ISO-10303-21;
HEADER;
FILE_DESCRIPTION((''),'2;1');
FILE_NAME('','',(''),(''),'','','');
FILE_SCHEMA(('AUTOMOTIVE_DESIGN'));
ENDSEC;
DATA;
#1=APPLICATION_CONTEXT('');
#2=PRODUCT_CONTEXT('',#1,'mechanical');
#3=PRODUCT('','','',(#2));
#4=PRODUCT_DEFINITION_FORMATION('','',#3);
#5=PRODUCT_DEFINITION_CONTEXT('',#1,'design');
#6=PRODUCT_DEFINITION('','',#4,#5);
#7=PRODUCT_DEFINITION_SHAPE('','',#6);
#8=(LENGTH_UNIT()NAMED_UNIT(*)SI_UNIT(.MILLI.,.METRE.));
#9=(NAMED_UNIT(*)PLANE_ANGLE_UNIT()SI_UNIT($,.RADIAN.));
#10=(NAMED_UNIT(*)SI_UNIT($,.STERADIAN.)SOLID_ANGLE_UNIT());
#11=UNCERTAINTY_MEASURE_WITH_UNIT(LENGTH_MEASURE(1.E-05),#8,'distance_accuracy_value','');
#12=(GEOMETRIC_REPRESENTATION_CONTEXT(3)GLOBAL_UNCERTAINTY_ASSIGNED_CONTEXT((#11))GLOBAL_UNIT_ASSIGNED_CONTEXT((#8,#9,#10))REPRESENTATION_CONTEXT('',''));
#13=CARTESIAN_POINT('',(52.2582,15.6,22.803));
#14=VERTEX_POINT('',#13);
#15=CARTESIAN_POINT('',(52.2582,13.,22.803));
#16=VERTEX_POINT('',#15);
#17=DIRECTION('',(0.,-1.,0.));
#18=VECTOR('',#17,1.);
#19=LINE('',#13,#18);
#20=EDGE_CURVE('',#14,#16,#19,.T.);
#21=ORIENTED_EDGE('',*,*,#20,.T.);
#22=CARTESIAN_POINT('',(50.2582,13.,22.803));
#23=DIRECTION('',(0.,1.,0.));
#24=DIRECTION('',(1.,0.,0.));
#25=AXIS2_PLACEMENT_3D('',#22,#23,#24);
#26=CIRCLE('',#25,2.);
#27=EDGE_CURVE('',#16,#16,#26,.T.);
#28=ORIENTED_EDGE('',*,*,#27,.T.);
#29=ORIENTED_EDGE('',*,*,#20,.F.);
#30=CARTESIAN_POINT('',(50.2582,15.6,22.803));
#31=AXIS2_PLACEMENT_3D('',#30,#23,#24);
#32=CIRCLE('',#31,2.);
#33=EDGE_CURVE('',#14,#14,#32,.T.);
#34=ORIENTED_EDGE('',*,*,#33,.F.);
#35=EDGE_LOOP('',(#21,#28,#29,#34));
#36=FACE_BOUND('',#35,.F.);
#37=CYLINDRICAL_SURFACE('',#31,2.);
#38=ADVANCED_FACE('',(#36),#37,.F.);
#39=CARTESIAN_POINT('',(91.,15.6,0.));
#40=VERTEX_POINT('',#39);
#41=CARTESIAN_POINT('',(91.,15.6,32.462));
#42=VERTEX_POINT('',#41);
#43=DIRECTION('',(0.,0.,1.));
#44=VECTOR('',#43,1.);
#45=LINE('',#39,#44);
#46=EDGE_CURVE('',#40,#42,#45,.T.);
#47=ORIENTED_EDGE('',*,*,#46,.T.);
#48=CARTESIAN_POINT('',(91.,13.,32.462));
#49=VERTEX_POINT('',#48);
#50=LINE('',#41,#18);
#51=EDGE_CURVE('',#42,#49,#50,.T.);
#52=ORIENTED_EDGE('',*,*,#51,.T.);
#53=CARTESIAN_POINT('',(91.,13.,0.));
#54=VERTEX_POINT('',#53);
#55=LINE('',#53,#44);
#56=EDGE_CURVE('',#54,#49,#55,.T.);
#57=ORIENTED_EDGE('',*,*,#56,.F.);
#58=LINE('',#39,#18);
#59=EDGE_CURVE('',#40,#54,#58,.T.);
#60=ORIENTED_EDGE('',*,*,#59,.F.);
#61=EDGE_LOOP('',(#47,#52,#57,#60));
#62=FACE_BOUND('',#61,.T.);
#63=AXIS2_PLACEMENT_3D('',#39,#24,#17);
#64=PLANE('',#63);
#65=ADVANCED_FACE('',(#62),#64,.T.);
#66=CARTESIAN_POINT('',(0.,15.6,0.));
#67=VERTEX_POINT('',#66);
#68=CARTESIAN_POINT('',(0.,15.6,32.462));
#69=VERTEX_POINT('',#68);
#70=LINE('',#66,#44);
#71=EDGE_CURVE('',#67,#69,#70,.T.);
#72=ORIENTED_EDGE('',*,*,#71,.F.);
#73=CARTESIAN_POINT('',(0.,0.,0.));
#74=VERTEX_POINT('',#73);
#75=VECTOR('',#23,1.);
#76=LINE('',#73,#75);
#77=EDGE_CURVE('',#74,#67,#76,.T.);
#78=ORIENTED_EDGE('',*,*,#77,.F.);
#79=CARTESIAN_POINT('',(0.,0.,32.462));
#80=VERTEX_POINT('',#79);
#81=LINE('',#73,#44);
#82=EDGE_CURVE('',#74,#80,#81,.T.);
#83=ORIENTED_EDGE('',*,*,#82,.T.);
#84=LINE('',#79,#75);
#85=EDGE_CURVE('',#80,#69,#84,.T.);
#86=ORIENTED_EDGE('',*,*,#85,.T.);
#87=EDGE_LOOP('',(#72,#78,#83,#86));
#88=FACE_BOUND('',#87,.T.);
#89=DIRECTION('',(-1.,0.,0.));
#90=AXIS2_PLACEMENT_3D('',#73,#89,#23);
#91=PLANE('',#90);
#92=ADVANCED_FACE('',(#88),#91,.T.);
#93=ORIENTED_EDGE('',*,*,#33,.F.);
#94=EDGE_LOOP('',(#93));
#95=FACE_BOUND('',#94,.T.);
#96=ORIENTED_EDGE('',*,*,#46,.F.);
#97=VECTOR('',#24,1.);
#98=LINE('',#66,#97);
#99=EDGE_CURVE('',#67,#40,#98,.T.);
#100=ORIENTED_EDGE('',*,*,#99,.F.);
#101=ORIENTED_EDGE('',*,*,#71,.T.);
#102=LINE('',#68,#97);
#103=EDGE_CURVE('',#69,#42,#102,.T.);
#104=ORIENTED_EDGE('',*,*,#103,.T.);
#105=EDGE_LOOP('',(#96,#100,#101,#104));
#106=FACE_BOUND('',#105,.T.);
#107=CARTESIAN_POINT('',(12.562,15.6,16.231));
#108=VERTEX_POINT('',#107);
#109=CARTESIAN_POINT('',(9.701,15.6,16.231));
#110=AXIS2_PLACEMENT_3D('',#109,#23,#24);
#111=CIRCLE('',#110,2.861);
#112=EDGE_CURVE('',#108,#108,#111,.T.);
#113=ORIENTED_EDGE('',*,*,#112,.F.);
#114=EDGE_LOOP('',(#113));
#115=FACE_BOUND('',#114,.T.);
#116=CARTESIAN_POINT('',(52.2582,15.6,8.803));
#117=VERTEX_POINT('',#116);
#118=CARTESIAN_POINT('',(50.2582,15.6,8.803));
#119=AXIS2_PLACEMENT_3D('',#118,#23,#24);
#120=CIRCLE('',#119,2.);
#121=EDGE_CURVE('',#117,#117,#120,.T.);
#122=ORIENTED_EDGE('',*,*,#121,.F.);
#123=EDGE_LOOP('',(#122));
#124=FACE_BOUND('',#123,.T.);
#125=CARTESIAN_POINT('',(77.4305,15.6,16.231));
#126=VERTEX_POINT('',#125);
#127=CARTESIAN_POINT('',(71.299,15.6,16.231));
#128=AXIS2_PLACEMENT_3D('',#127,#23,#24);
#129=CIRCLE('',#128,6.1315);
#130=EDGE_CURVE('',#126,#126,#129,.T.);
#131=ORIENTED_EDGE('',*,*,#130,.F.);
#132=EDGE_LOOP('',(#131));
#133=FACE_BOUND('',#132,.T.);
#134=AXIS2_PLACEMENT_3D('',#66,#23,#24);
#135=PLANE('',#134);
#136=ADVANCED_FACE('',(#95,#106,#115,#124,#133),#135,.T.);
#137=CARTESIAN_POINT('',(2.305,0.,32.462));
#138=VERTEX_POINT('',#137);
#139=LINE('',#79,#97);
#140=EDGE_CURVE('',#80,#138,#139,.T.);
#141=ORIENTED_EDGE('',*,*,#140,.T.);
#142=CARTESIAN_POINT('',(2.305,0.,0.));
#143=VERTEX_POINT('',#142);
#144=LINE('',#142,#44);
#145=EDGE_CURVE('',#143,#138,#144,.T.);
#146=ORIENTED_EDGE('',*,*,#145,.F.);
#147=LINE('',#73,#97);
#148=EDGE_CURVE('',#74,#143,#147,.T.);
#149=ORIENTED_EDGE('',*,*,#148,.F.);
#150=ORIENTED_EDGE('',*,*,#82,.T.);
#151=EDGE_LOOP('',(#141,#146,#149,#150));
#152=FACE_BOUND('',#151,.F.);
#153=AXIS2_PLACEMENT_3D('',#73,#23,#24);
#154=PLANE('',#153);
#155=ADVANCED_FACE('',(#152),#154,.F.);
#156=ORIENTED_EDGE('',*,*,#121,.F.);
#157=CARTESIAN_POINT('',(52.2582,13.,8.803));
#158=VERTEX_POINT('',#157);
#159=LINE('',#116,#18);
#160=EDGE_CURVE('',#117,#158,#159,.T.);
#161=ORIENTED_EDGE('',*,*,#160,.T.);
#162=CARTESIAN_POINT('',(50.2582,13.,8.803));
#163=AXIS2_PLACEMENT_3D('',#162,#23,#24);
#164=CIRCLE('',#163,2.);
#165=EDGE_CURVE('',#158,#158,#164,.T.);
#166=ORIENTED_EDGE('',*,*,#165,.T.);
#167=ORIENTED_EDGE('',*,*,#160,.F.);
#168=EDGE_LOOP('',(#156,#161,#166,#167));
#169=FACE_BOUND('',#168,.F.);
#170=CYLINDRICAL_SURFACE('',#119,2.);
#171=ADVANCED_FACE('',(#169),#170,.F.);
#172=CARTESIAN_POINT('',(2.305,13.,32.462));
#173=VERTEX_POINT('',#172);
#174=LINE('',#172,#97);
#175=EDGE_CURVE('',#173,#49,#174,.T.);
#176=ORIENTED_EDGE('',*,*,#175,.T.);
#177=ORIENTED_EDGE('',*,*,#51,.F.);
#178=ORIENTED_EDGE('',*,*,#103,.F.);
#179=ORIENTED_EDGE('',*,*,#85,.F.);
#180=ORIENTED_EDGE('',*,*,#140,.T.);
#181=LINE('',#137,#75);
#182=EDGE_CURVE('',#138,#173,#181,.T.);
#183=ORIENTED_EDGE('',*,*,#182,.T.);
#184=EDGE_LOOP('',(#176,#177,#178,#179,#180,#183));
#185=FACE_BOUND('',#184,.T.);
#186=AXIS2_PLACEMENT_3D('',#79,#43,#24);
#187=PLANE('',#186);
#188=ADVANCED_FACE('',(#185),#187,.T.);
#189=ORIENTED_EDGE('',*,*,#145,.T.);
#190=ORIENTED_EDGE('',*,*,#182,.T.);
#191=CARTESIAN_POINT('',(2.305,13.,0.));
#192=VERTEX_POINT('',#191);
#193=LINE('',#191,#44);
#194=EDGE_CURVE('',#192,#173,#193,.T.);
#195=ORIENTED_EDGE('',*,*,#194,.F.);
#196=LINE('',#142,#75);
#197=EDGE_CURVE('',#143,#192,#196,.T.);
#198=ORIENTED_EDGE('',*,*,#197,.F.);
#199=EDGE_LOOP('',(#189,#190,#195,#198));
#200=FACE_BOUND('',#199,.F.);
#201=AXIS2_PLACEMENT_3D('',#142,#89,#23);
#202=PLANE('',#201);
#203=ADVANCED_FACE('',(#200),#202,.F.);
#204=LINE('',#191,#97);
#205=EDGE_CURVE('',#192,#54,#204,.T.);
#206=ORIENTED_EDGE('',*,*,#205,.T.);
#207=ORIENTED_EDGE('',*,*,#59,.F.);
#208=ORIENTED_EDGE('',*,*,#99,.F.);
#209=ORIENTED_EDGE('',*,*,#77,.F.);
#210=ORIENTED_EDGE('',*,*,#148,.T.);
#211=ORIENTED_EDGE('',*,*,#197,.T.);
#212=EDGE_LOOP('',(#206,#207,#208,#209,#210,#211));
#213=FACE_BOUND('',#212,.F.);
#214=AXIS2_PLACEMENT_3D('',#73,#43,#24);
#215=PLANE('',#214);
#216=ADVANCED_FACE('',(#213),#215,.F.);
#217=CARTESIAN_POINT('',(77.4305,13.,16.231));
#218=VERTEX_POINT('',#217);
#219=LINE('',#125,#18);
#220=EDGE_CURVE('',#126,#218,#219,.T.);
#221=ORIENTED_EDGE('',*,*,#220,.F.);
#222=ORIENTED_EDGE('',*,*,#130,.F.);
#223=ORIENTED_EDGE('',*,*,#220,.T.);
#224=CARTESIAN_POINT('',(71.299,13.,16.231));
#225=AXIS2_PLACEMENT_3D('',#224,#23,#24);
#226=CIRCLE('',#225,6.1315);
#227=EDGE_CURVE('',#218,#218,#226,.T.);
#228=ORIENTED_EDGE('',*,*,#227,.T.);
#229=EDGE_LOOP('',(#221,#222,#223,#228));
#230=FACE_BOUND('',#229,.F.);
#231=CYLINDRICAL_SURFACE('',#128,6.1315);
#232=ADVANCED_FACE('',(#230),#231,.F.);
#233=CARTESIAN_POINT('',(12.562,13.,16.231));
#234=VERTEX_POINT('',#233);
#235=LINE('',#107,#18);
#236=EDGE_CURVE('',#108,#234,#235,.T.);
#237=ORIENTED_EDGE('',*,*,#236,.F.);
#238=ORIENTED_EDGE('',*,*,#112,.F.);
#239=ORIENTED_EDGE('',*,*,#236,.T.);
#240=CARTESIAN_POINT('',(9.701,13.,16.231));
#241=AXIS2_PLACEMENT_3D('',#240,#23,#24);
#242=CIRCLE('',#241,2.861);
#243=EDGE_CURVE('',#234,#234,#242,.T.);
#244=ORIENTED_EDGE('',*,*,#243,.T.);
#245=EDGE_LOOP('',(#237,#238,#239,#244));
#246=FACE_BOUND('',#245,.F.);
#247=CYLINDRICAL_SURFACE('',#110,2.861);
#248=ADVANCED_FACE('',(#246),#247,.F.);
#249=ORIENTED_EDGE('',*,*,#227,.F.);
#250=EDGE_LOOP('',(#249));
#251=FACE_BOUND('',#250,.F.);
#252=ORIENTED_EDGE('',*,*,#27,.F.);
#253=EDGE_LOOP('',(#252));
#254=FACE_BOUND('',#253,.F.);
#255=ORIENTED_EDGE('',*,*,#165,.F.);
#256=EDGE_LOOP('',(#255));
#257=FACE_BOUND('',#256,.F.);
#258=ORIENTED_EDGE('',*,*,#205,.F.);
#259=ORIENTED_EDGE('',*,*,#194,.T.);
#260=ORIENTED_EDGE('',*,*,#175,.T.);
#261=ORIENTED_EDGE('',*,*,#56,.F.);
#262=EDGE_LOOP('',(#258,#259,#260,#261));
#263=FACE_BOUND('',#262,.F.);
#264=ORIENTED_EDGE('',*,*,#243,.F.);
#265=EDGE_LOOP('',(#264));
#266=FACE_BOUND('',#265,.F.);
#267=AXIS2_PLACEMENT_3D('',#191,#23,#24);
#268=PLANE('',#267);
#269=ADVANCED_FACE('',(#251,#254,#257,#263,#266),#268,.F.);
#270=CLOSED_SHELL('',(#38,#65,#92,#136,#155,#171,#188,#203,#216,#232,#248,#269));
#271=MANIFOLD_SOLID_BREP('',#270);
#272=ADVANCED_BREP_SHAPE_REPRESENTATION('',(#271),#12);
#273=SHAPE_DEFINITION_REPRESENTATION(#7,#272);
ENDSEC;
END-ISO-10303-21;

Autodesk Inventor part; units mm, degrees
ref_plane "YZ Plane" through (0, 0, 0) normal (1, 0, 0) x (0, 1, 0)
ref_plane "XZ Plane" through (0, 0, 0) normal (0, 1, 0) x (-1, 0, 0)
ref_plane "XY Plane" through (0, 0, 0) normal (0, 0, 1) x (1, 0, 0)
sketch "Sketch1" plane through (0, 0, 0) normal (0, 0, 1) x (1, 0, 0)
  line L0 (0, 0) -> (0, 15.6)
  line L1 (0, 15.6) -> (91, 15.6)
  line L2 (91, 15.6) -> (91, 13)
  line L3 (0, 0) -> (2.305, 0)
  line L4 (2.305, 0) -> (2.305, 13)
  line L5 (2.305, 13) -> (91, 13)
extrude "Extrusion1" add sketch "Sketch1" along normal blind 32.462
sketch "Sketch2" plane through (0, 15.6, 0) normal (0, 1, 0) x (1, 0, 0)
  line L0 (0, 0) -> (0, -32.462) projected
  line L1 (2.305, -32.462) -> (91, -32.462) projected
  circle A0 centre (9.701, -16.231) radius 2.861
  circle A1 centre (71.299, -16.231) radius 6.1315
  circle A2 centre (50.2582, -22.803) radius 2
  circle A3 centre (50.2582, -8.803) radius 2
extrude "Extrusion2" cut sketch "Sketch2" against normal blind 32.462
properties part number "Top Connecter 1"
